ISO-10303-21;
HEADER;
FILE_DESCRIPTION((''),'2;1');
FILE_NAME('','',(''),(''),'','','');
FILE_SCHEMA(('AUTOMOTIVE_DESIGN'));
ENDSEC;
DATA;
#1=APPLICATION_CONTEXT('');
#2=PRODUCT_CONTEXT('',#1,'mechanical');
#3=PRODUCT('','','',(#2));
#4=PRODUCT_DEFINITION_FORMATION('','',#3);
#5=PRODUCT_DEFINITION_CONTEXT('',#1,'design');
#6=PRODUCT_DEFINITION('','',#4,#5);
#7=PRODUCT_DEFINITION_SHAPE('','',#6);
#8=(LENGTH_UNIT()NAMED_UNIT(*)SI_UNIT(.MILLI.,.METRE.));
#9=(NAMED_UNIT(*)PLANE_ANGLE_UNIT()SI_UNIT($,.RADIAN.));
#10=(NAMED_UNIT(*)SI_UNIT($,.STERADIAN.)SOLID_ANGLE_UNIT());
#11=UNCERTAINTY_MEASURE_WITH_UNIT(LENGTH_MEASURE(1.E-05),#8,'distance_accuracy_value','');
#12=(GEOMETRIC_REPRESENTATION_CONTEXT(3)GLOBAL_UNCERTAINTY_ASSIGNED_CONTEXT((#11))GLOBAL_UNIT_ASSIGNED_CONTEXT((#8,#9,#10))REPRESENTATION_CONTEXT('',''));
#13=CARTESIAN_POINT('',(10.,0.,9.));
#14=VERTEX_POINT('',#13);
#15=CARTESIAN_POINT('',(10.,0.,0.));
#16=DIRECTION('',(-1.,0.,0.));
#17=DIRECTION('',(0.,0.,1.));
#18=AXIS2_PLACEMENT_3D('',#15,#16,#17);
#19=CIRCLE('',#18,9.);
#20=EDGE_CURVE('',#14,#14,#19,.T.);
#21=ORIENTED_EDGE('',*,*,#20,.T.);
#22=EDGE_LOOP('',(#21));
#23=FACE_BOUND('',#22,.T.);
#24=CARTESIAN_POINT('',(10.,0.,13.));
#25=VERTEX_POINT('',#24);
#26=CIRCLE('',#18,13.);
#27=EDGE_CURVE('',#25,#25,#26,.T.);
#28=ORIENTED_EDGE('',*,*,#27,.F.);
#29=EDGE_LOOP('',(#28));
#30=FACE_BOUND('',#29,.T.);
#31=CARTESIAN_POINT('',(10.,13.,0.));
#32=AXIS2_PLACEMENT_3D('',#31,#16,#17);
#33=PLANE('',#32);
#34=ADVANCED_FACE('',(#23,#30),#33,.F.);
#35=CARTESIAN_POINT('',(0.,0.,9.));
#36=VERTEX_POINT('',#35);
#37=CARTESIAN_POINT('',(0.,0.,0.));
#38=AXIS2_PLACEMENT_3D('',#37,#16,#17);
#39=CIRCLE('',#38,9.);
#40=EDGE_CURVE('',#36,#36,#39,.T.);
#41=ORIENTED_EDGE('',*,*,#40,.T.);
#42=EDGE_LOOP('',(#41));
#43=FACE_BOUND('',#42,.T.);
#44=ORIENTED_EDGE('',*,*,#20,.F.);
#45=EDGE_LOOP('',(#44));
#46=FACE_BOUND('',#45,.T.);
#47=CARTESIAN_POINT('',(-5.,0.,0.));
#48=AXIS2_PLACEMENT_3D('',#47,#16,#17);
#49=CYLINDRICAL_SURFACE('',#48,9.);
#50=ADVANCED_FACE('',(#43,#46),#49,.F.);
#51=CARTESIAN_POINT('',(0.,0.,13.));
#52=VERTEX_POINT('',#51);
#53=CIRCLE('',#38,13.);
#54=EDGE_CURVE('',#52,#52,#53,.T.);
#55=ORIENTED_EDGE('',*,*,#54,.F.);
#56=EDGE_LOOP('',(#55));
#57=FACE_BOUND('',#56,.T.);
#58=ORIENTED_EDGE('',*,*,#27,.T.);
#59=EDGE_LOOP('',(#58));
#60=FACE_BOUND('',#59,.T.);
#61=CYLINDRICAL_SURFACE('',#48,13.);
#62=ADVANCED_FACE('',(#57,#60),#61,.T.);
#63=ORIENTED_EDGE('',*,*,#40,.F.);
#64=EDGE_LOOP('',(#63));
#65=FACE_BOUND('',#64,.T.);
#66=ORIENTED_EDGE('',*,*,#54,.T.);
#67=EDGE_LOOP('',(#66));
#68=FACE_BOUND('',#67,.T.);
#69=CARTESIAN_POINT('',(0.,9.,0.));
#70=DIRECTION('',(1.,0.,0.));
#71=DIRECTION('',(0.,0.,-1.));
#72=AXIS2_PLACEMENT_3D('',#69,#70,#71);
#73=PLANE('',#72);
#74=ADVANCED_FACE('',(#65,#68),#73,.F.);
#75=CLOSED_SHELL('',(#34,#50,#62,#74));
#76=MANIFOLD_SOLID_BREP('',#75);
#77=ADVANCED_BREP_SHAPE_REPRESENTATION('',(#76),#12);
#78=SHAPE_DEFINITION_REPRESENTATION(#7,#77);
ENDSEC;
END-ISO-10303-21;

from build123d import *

# Parameters (mm, degrees)
SKETCH_1_W = 10
SKETCH_1_H = 4


with BuildPart() as part:
    # 草图1 → 01_PACKING (revolve)
    with BuildSketch(Plane.XY, mode=Mode.PRIVATE) as f_01_packing_sk:
        with Locations((5, 11)):
            Rectangle(SKETCH_1_W, SKETCH_1_H)
    revolve(f_01_packing_sk.sketch.rotate(Axis((-5, 0, 0), (1, 0, 0)), 90), axis=Axis((-5, 0, 0), (1, 0, 0)))


solid = part.part
